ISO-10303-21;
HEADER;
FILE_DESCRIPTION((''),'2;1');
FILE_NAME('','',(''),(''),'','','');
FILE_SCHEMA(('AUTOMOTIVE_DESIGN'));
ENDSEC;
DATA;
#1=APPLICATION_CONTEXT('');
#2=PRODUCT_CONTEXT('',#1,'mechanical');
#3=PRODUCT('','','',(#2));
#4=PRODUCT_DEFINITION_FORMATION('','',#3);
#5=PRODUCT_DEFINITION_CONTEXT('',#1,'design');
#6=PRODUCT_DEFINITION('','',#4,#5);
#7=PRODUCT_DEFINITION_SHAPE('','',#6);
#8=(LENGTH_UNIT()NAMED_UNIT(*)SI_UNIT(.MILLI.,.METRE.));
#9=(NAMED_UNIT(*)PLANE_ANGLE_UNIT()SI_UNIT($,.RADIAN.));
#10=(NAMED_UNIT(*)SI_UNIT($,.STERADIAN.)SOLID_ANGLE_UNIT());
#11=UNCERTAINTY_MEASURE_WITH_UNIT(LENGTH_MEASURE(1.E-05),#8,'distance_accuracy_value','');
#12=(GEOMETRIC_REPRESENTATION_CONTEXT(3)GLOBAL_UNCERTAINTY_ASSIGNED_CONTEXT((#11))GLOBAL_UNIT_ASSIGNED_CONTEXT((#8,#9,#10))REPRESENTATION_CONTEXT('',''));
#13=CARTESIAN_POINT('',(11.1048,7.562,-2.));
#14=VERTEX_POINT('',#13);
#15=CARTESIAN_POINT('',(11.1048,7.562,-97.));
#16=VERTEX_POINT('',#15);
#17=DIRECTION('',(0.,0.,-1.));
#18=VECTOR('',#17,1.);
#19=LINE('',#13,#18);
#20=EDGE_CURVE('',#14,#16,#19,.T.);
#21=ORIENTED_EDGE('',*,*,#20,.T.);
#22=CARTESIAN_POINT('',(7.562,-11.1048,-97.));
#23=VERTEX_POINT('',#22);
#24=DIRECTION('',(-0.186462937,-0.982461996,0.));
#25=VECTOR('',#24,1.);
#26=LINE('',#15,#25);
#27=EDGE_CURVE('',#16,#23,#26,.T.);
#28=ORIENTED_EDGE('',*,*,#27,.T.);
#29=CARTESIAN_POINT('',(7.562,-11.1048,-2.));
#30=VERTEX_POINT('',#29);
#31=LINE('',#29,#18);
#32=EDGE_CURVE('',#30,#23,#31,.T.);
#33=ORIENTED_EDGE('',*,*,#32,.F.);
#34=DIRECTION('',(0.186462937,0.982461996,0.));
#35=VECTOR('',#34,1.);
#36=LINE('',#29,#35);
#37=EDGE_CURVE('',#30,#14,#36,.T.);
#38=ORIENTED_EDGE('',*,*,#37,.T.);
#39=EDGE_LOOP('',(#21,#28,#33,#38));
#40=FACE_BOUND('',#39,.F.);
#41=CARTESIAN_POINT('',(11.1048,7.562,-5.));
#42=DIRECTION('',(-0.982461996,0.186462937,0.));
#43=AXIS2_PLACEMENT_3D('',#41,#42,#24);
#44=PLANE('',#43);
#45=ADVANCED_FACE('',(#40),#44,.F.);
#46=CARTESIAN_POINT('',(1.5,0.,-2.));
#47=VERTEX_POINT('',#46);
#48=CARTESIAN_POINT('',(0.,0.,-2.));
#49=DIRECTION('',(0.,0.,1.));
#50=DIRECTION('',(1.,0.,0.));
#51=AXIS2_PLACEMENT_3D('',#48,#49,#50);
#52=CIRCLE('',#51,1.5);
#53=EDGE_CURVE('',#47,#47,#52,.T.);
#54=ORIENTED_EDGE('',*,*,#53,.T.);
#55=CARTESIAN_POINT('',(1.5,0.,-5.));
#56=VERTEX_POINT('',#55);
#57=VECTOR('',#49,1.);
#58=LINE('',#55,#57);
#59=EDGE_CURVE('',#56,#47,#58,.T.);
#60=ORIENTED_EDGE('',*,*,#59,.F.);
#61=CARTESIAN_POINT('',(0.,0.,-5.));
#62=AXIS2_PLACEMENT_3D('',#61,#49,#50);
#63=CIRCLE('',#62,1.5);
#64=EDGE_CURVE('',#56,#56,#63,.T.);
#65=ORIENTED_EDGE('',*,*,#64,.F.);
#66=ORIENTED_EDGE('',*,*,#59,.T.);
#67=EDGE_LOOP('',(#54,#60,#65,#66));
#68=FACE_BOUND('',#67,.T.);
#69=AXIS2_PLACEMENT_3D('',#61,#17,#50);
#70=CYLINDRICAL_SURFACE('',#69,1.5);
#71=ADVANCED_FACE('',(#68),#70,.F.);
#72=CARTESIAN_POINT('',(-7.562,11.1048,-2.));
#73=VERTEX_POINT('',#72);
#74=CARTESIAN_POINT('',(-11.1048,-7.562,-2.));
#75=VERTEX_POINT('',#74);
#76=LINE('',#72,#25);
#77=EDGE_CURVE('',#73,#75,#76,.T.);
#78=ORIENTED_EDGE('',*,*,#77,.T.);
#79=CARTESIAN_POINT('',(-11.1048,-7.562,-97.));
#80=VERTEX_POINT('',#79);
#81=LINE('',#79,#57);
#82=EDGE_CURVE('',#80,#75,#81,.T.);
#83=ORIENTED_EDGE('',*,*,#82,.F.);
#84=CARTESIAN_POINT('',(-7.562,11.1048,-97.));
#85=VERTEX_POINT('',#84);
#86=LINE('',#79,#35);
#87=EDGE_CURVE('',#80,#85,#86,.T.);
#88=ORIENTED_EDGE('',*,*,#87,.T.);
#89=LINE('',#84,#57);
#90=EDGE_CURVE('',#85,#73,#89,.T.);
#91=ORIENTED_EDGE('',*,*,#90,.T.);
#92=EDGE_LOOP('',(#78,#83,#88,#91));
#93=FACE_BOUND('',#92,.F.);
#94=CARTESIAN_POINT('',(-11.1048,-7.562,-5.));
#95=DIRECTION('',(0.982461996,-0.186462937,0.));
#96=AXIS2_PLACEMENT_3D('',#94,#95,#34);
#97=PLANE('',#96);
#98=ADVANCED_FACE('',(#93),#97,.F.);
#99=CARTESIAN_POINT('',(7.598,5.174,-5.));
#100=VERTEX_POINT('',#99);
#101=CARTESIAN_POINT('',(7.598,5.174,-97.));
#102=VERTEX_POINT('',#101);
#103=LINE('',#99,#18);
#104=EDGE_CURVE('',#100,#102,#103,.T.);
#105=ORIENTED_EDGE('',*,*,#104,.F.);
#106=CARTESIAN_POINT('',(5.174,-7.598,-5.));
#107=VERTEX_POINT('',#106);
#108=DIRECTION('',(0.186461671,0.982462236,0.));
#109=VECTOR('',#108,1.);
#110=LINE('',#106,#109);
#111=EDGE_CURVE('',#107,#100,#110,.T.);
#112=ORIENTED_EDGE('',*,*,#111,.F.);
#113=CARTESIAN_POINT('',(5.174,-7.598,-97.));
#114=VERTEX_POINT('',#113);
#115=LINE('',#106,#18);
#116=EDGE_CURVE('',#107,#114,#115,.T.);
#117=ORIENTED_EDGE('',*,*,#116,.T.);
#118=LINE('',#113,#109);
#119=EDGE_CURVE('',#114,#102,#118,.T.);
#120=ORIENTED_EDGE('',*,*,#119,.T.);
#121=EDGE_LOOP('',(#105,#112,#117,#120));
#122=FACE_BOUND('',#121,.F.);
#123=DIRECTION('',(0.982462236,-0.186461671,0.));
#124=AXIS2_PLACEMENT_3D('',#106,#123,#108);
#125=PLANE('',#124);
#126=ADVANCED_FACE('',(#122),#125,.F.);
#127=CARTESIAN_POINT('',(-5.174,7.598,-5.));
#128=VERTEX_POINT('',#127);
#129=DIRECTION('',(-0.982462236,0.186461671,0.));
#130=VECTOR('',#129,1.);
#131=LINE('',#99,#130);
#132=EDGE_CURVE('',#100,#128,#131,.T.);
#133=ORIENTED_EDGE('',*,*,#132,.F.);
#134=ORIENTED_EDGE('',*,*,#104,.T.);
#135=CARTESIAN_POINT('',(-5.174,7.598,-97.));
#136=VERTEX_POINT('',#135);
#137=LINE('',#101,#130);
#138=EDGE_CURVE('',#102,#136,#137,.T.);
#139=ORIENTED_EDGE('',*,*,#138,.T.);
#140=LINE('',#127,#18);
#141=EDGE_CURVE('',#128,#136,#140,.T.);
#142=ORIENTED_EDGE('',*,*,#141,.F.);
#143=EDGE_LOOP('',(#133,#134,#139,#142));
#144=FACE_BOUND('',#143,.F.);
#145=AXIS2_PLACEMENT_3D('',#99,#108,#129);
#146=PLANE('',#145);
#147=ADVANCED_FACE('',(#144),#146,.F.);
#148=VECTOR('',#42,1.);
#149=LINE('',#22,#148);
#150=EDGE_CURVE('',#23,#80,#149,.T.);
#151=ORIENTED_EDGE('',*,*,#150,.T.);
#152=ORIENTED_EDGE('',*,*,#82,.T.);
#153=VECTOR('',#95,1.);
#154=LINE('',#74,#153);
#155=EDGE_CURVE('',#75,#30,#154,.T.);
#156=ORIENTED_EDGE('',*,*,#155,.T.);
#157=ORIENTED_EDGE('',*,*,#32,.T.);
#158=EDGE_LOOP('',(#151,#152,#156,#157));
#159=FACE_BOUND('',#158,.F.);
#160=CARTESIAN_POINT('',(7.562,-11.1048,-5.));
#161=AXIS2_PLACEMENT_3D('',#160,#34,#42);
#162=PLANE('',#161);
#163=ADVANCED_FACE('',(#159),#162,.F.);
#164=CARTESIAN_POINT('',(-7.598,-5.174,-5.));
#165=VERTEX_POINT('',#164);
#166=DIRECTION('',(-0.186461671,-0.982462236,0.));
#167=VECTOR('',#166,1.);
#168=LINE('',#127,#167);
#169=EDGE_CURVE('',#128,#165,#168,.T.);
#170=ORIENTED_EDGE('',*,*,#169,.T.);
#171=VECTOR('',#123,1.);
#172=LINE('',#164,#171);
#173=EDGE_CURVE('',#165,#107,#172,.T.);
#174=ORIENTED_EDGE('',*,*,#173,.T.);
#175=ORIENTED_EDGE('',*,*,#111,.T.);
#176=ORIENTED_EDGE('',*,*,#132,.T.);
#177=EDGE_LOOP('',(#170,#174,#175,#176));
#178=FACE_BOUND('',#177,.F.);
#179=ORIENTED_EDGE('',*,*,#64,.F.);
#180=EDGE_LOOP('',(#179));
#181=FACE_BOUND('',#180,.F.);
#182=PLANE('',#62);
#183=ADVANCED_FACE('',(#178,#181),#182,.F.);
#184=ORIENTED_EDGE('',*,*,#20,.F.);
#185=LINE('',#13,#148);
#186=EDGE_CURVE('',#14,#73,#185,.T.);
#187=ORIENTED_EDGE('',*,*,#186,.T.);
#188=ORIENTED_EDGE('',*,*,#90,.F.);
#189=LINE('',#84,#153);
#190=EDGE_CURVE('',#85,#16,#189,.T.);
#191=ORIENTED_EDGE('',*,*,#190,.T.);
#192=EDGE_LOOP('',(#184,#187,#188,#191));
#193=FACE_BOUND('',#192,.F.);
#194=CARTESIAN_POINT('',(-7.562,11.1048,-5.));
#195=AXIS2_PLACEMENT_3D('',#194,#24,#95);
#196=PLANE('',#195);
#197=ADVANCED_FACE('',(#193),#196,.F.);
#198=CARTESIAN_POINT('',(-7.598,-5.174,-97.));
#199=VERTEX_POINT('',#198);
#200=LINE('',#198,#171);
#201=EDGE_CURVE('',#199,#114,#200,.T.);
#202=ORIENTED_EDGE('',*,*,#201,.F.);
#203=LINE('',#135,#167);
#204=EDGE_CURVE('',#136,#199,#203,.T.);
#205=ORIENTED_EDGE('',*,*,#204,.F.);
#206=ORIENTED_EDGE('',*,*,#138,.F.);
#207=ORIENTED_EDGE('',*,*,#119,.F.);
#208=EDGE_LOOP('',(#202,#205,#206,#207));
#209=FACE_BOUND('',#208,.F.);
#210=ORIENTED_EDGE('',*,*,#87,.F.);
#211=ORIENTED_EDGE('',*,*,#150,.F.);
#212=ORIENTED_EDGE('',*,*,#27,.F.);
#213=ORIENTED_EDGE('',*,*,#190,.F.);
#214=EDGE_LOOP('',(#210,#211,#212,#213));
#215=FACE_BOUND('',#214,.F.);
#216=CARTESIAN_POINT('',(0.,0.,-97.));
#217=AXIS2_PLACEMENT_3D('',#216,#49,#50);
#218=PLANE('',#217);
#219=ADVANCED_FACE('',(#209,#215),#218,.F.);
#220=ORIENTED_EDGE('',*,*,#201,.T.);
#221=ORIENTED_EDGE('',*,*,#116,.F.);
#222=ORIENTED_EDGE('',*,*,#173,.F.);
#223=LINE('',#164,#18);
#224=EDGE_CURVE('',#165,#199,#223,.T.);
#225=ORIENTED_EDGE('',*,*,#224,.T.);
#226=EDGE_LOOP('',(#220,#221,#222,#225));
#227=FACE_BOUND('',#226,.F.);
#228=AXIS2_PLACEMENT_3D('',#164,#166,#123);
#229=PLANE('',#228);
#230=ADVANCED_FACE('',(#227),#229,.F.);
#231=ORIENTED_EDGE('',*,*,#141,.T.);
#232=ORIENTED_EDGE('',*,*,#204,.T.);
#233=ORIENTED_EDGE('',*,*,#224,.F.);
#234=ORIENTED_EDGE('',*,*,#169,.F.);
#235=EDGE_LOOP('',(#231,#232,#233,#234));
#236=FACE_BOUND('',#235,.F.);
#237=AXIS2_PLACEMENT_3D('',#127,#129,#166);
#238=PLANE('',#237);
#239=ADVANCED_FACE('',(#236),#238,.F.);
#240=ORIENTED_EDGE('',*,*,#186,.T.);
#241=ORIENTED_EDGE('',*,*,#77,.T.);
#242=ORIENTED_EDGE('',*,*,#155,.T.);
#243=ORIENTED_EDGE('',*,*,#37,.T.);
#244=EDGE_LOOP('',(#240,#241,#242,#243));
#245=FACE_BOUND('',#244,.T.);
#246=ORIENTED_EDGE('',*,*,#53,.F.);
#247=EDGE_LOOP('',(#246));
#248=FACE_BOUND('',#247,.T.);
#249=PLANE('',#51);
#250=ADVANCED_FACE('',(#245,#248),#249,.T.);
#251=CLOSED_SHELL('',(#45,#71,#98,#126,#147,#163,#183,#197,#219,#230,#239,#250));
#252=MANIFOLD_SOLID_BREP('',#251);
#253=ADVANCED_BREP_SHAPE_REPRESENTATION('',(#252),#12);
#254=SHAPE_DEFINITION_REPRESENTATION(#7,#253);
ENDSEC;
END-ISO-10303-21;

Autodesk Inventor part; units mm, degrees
ref_plane "YZ Plane" through (0, 0, 0) normal (1, 0, 0) x (0, 1, 0)
ref_plane "XZ Plane" through (0, 0, 0) normal (0, 1, 0) x (-1, 0, 0)
ref_plane "XY Plane" through (0, 0, 0) normal (0, 0, 1) x (1, 0, 0)
sketch "Sketch1" plane through (0, 0, 0) normal (0, 0, 1) x (1, 0, 0)
  line L0 (7.598, 5.174) -> (-5.174, 7.598) projected
  line L1 (5.174, -7.598) -> (7.598, 5.174) projected
  line L2 (-7.598, -5.174) -> (5.174, -7.598) projected
  line L3 (-5.174, 7.598) -> (-7.598, -5.174) projected
  line L4 (-11.1048, -7.562) -> (-7.562, 11.1048)
  line L5 (-7.562, 11.1048) -> (11.1048, 7.562)
  line L6 (11.1048, 7.562) -> (7.562, -11.1048)
  line L7 (7.562, -11.1048) -> (-11.1048, -7.562)
  point P0 (0, 0)
  dimension "d0" = 3
  dimension "d1" = 3
  dimension "d2" = 3
  dimension "d3" = 3
ref_plane "Work Plane1" through (0, 0, -5) normal (0, 0, 1) x (1, 0, 0)
sketch "Sketch2" plane through (0, 0, -5) normal (0, 0, 1) x (1, 0, 0)
  line L0 (7.598, 5.174) -> (-5.174, 7.598) projected
  line L1 (-7.562, 11.1048) -> (11.1048, 7.562) projected
  line L2 (-11.1048, -7.562) -> (-7.562, 11.1048) projected
  line L3 (7.562, -11.1048) -> (-11.1048, -7.562) projected
  line L4 (11.1048, 7.562) -> (7.562, -11.1048) projected
  line L5 (5.174, -7.598) -> (7.598, 5.174) projected
  line L6 (-7.598, -5.174) -> (5.174, -7.598) projected
  line L7 (-5.174, 7.598) -> (-7.598, -5.174) projected
  point P0 (0, 0)
extrude "Extrusion1" add sketch "Sketch2" against normal blind 92
sketch "Sketch3" plane through (0, 0, -5) normal (0, 0, 1) x (1, 0, 0)
  line L0 (-11.1048, -7.562) -> (7.562, -11.1048) projected
  line L1 (7.562, -11.1048) -> (11.1048, 7.562) projected
  line L2 (11.1048, 7.562) -> (-7.562, 11.1048) projected
  line L3 (-7.562, 11.1048) -> (-11.1048, -7.562) projected
  line L4 (7.598, 5.174) -> (5.174, -7.598) projected
  line L5 (5.174, -7.598) -> (-7.598, -5.174) projected
  line L6 (-7.598, -5.174) -> (-5.174, 7.598) projected
  line L7 (-5.174, 7.598) -> (7.598, 5.174) projected
  circle A0 centre (0, 0) radius 1.5
  dimension "d6" = 3
extrude "Extrusion2" add sketch "Sketch3" along normal blind 3 contours L3 L2 L1 L0 | L4 L5 L6 L7
properties part number "Casing"
